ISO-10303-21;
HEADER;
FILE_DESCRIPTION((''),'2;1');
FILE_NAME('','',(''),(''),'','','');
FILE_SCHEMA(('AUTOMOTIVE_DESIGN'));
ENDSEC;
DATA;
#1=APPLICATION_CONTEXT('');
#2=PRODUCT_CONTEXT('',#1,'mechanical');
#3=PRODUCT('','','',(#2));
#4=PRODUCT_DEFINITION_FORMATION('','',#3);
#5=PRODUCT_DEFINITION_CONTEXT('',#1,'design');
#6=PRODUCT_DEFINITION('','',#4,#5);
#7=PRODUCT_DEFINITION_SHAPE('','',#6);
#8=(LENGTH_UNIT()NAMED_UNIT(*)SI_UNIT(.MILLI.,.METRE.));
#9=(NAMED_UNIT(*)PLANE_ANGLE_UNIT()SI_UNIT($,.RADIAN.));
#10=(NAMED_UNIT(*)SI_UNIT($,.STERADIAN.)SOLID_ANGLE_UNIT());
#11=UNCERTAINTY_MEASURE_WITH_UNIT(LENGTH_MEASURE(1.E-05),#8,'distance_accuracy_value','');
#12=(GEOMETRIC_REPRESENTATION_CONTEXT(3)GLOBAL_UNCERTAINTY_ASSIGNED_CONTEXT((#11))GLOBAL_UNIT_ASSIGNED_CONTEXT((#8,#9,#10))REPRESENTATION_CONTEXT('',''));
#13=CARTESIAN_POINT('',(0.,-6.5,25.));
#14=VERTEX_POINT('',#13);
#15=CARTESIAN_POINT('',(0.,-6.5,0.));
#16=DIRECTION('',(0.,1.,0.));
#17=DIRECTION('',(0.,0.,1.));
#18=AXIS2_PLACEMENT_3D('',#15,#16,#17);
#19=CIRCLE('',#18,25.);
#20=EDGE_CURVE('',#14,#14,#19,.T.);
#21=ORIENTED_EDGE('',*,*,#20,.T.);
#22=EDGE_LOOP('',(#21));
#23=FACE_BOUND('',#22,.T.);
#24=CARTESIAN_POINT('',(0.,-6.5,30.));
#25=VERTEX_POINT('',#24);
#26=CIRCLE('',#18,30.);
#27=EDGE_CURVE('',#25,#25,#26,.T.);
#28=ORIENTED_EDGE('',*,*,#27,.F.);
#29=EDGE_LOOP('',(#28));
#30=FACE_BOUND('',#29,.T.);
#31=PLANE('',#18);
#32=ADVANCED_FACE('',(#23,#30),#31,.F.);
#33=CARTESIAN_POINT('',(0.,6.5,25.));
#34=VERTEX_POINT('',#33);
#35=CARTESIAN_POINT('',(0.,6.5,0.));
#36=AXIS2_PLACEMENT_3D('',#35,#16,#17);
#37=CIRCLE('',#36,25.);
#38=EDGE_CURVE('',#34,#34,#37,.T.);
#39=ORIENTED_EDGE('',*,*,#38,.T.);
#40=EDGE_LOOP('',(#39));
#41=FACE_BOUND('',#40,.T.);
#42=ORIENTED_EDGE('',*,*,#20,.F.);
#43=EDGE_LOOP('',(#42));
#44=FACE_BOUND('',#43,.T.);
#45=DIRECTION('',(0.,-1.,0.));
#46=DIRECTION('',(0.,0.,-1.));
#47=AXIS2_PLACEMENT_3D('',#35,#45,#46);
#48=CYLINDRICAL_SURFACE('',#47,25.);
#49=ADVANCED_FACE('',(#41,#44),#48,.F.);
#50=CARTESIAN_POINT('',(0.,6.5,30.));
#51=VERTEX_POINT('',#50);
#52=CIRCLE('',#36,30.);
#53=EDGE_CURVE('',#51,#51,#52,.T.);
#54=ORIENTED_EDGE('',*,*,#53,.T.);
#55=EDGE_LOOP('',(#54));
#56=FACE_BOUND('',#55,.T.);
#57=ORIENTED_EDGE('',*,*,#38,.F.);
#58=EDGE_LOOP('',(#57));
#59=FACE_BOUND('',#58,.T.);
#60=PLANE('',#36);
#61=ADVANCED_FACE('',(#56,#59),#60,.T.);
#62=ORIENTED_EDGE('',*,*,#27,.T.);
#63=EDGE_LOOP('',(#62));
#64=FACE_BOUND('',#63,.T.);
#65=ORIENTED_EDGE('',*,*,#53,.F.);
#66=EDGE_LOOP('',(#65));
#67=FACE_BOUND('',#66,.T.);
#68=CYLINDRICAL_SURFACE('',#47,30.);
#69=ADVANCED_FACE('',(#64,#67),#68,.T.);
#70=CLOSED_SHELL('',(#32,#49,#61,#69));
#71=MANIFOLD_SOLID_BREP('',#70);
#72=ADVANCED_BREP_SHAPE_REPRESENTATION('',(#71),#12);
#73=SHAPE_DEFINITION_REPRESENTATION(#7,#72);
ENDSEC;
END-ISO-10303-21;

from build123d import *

# Parameters (mm, degrees)
SKETCH1_R           = 30
SKETCH1_R_2         = 25
BOSS_EXTRUDE1_DEPTH = 6.5


with BuildPart() as part:
    # Sketch1 → Boss-Extrude1 (new body, symmetric)
    with BuildSketch(Plane(origin=(0, 0, 0), x_dir=(1, 0, 0), z_dir=(0, 1, 0))):
        Circle(SKETCH1_R)
        Circle(SKETCH1_R_2, mode=Mode.SUBTRACT)
    extrude(amount=BOSS_EXTRUDE1_DEPTH, both=True)


solid = part.part
